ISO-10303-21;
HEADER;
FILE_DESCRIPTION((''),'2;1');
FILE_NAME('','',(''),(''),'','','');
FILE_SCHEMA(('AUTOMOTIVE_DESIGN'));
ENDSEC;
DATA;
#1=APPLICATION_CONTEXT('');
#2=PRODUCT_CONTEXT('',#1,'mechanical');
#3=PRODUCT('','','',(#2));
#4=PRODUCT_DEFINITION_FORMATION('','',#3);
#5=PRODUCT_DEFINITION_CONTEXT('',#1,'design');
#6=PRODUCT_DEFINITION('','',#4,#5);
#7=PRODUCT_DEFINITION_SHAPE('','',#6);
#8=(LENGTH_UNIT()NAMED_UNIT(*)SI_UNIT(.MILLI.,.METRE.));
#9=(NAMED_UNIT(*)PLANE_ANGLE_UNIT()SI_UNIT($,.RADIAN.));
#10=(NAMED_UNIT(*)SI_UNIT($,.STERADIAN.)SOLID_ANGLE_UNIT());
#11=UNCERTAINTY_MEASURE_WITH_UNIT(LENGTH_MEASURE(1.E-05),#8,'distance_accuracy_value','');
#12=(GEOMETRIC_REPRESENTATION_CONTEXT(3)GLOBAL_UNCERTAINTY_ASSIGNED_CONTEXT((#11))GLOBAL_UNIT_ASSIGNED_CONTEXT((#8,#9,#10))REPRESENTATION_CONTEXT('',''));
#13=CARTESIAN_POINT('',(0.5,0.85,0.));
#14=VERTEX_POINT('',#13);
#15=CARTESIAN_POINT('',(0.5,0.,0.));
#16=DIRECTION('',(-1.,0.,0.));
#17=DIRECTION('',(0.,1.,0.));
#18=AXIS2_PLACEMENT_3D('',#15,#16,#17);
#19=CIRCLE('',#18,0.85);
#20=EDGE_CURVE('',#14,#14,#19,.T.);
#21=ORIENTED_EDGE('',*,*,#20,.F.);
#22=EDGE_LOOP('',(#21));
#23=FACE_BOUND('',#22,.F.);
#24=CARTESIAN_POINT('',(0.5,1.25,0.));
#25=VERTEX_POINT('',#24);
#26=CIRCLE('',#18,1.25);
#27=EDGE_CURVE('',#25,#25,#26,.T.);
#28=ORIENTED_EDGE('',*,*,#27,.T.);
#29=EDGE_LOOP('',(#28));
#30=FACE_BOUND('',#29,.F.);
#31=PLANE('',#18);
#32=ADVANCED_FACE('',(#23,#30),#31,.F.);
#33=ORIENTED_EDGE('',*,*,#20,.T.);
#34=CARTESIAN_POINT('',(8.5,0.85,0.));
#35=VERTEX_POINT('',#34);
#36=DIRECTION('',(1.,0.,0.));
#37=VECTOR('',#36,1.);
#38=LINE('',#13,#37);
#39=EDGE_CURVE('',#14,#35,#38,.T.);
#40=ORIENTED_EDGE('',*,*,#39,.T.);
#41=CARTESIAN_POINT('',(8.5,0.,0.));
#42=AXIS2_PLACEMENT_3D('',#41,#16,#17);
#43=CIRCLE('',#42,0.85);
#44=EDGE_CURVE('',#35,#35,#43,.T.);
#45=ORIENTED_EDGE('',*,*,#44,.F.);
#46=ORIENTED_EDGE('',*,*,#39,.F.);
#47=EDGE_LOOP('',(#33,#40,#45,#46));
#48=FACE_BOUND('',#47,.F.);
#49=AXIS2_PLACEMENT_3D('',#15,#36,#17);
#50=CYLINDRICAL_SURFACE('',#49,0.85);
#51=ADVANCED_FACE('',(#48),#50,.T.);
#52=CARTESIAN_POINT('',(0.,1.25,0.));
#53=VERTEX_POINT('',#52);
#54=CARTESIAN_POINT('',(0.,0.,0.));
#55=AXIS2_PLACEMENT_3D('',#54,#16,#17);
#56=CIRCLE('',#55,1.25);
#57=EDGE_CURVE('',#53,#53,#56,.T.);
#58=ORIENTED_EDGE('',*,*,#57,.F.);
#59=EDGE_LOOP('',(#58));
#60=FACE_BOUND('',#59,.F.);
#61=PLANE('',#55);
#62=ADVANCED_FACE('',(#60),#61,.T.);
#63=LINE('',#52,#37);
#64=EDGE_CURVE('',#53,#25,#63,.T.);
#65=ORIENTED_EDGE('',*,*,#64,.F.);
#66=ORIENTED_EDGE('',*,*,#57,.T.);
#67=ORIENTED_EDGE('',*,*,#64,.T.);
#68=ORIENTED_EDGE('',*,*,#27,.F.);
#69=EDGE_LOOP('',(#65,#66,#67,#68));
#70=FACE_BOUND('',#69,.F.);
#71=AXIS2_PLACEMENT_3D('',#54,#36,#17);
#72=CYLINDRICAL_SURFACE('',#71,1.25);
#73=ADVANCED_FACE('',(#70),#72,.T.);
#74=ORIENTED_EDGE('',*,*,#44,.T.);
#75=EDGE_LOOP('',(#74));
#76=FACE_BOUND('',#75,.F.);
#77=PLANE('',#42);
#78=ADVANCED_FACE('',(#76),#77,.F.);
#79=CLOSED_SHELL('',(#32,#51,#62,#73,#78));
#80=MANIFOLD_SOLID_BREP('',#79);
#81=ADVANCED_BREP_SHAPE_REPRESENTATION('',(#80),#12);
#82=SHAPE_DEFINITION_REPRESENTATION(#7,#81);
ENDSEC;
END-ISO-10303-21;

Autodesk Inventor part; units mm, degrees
ref_plane "YZ Plane" through (0, 0, 0) normal (1, 0, 0) x (0, 1, 0)
ref_plane "XZ Plane" through (0, 0, 0) normal (0, 1, 0) x (-1, 0, 0)
ref_plane "XY Plane" through (0, 0, 0) normal (0, 0, 1) x (1, 0, 0)
sketch "スケッチ1" plane through (0, 0, 0) normal (0, 0, 1) x (1, 0, 0)
  line L0 (0, 0) -> (0, 1.25)
  line L1 (0, 1.25) -> (0.5, 1.25)
  line L2 (0.5, 1.25) -> (0.5, 0.85)
  line L3 (0.5, 0.85) -> (8.5, 0.85)
  line L4 (8.5, 0.85) -> (8.5, 0)
  line L5 (8.5, 0) -> (0, 0)
  dimension "d0" = 0.5
  dimension "d1" = 8
  dimension "d2" = 1.25
  dimension "d3" = 0.85
revolve "回転1" add sketch "スケッチ1" angle 360 about axis through (8.5, 0, 0) along (-1, 0, 0)
properties part number "M2_L10" material "鋼"
